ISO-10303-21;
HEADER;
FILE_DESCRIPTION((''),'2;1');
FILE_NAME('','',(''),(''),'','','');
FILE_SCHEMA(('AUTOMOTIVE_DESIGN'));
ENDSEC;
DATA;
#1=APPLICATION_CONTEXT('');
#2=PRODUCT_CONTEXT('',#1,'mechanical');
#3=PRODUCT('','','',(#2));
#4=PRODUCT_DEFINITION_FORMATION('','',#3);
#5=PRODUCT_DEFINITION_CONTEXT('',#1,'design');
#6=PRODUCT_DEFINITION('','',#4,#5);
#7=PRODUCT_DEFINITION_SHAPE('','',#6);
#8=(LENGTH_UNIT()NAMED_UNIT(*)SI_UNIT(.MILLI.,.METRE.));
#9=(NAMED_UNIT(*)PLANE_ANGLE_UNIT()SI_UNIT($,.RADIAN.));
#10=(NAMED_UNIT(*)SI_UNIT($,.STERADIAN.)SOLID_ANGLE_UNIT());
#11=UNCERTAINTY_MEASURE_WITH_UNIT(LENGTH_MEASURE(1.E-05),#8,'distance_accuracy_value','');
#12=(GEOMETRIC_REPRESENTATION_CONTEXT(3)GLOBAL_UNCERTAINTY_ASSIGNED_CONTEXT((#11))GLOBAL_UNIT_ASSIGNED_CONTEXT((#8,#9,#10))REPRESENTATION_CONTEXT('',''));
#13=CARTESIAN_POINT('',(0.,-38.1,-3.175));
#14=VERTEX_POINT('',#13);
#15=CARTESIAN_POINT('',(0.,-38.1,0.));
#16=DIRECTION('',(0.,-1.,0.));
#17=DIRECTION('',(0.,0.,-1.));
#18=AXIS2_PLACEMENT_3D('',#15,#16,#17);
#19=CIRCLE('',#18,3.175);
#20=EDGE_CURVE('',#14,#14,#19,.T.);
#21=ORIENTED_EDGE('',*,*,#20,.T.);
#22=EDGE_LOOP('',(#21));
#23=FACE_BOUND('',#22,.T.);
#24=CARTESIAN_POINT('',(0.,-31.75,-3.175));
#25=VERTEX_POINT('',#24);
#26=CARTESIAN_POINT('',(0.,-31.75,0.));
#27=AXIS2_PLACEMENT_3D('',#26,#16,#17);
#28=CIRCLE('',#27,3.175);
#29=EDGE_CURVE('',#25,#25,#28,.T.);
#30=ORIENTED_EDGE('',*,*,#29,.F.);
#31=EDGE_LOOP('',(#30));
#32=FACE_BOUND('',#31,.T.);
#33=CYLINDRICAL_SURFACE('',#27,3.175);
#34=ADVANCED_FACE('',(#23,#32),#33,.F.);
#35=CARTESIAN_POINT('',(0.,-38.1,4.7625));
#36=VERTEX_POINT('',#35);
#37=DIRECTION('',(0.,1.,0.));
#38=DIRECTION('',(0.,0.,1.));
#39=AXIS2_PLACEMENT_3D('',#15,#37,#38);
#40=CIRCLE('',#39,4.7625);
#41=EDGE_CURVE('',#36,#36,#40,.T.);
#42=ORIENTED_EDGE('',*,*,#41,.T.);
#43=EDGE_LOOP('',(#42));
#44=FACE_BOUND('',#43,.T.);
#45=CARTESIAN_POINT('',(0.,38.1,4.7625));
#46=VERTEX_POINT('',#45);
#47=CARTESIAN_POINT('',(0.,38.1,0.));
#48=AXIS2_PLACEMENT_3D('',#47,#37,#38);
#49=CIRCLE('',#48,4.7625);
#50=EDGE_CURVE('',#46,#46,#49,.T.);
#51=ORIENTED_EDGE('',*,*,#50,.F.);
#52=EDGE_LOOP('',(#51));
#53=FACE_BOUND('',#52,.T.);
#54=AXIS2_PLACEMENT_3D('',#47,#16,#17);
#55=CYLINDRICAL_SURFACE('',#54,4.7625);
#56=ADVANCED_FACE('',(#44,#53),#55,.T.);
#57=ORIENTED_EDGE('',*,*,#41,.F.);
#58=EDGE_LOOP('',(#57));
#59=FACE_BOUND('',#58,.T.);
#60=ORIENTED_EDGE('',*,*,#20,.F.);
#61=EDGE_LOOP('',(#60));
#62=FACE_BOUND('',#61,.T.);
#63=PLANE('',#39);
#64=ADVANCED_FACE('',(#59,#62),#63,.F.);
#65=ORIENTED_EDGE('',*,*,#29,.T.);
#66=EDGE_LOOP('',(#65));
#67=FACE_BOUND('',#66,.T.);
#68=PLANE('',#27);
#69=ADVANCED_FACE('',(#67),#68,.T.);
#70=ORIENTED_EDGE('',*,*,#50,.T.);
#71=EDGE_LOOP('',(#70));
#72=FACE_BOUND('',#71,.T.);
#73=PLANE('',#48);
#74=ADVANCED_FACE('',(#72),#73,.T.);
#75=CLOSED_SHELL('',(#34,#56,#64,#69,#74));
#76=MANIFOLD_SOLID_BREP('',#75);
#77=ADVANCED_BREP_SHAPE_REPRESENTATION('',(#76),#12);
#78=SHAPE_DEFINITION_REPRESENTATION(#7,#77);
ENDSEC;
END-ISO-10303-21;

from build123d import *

# Parameters (mm, degrees)
SKETCH1_R           = 4.7625
BOSS_EXTRUDE1_DEPTH = 38.1
SKETCH2_R           = 3.175
CUT_EXTRUDE1_DEPTH  = 6.35


with BuildPart() as part:
    # Sketch1 → Boss-Extrude1 (new body, symmetric)
    with BuildSketch(Plane(origin=(0, 0, 0), x_dir=(1, 0, 0), z_dir=(0, 1, 0))):
        Circle(SKETCH1_R)
    extrude(amount=BOSS_EXTRUDE1_DEPTH, both=True)

    # Sketch2 → Cut-Extrude1 (cut)
    with BuildSketch(Plane.XZ.offset(38.1)):
        Circle(SKETCH2_R)
    extrude(amount=-CUT_EXTRUDE1_DEPTH, mode=Mode.SUBTRACT)


solid = part.part
